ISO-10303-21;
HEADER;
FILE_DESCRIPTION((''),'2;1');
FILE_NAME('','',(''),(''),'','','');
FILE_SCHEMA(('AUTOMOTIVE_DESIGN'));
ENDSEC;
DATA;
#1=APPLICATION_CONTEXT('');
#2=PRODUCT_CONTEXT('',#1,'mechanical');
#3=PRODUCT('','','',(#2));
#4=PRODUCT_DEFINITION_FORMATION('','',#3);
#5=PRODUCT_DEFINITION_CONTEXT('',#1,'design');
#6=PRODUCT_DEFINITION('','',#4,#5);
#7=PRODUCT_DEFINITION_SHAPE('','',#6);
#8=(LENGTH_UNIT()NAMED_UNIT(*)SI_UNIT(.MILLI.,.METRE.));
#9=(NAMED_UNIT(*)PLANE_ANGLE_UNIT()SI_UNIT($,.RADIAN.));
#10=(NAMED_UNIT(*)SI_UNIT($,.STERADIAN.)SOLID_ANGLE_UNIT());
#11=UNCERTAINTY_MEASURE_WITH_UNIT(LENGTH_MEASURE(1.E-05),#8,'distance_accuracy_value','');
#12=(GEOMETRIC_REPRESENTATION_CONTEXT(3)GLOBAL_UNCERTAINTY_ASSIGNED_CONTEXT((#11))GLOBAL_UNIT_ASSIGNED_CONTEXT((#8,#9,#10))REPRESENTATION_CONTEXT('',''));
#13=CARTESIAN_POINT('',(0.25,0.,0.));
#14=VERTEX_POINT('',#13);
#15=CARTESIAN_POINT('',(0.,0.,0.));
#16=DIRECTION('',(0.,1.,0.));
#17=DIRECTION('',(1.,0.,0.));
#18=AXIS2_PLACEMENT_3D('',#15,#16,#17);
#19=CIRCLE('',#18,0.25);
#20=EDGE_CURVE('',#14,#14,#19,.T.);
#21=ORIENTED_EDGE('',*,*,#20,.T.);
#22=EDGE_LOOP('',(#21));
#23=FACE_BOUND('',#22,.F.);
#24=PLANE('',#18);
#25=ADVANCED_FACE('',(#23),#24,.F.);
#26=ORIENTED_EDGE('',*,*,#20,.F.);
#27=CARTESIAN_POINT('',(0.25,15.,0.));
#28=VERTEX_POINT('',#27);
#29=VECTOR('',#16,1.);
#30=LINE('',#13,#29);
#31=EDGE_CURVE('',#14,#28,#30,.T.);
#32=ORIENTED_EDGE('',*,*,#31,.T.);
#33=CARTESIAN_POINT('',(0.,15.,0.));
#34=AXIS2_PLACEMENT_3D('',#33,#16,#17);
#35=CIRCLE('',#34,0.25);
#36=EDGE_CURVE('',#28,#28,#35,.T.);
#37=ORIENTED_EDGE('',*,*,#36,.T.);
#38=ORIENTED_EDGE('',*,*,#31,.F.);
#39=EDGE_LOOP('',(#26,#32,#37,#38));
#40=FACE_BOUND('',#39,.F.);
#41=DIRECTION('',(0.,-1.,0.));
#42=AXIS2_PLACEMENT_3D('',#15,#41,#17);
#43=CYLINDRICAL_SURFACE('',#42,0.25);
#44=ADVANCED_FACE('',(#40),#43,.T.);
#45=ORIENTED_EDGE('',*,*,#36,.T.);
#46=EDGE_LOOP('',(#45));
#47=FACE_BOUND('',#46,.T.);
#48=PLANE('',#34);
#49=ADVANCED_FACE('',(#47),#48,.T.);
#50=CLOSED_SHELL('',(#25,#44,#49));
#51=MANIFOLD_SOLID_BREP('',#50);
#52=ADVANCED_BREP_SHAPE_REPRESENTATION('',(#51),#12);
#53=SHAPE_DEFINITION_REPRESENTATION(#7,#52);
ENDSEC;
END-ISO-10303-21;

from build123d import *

# Parameters (mm, degrees)
CROQUIS1_R              = 0.25
SALIENTE_EXTRUIR1_DEPTH = 15


with BuildPart() as part:
    # Croquis1 → Saliente-Extruir1 (new body)
    with BuildSketch(Plane(origin=(0, 0, 0), x_dir=(1, 0, 0), z_dir=(0, 1, 0))):
        Circle(CROQUIS1_R)
    extrude(amount=SALIENTE_EXTRUIR1_DEPTH)


solid = part.part
